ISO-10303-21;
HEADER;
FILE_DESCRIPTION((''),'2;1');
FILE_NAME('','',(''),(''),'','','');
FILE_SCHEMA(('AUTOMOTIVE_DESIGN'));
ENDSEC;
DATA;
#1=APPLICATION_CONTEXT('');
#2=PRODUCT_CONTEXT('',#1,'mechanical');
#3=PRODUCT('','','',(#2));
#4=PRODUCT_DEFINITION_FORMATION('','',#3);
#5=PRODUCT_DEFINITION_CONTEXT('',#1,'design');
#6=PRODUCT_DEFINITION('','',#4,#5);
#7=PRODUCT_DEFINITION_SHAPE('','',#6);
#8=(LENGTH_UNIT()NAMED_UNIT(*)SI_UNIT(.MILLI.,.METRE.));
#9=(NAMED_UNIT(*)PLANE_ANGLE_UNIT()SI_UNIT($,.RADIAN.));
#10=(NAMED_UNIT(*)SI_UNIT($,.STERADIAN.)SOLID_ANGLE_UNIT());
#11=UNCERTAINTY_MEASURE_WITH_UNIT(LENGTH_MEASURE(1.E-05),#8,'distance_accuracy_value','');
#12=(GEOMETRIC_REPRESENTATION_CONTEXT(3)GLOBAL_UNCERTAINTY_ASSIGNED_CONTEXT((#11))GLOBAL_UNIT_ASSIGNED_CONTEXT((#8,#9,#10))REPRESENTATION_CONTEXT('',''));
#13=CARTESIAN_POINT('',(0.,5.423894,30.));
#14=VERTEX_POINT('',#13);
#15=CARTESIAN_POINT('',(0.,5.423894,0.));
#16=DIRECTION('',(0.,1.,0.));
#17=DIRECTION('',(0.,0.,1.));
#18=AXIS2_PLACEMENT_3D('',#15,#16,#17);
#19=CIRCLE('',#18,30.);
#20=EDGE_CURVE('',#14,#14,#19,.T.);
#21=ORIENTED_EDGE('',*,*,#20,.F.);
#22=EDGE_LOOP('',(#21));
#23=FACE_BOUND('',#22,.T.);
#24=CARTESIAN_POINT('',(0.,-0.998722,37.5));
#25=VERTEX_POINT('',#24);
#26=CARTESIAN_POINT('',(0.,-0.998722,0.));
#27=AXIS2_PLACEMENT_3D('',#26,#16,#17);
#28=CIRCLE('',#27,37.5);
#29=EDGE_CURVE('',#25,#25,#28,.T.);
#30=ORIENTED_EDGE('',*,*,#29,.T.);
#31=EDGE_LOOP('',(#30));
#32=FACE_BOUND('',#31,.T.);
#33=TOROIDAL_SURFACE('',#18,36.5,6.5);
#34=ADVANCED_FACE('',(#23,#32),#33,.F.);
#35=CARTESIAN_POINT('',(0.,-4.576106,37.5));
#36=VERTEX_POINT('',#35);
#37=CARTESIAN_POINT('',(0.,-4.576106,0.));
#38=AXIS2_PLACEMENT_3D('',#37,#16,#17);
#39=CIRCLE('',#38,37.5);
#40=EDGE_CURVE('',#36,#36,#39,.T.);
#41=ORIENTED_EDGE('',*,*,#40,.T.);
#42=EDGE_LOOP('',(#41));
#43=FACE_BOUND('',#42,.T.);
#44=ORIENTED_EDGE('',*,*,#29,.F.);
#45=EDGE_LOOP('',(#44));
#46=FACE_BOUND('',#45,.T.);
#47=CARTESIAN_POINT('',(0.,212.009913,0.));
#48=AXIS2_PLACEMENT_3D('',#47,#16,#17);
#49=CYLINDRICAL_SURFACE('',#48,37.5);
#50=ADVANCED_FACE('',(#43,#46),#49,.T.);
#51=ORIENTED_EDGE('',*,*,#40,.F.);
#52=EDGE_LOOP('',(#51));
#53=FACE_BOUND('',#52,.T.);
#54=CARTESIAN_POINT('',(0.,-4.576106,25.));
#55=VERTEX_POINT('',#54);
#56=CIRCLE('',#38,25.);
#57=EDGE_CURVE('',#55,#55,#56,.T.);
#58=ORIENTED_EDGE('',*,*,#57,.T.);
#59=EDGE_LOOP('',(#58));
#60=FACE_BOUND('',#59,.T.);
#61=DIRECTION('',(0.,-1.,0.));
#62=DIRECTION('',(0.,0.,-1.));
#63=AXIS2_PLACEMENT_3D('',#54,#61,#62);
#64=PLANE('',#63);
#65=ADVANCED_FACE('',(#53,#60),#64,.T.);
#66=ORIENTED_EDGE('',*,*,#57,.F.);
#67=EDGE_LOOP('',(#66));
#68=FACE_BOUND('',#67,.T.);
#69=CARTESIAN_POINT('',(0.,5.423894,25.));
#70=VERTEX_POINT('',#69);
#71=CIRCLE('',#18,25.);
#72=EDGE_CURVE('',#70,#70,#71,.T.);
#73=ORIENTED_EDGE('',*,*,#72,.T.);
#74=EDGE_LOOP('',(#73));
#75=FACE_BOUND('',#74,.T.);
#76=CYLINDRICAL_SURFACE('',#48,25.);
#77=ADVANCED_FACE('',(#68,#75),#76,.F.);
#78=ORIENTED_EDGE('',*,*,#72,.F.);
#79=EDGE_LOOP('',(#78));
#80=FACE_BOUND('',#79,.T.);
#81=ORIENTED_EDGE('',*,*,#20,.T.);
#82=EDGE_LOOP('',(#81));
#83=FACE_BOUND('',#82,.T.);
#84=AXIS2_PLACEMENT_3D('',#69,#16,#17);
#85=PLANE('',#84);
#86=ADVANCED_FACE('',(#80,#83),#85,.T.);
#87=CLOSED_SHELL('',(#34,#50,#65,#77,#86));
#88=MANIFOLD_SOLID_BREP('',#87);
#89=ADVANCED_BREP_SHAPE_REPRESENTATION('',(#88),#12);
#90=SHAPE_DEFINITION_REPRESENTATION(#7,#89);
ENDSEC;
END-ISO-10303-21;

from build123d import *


with BuildPart() as part:
    # Sketch1 → Revolve1 (revolve)
    with BuildSketch(Plane(origin=(0, 0, 0), x_dir=(0, 0, -1), z_dir=(1, 0, 0))):
        with BuildLine():
            Line((-25, 5.423893873), (-25, -4.576106127))
            Line((-25, -4.576106127), (-37.5, -4.576106127))
            Line((-37.5, -4.576106127), (-37.5, -0.998722416))
            ThreePointArc((-37.5, -0.998722416), (-32.272116369, 0.486789459), (-30, 5.423893873))
            Line((-30, 5.423893873), (-25, 5.423893873))
        make_face()
    revolve(axis=Axis((0, 212.009913499, 0), (0, -1, 0)))


solid = part.part
